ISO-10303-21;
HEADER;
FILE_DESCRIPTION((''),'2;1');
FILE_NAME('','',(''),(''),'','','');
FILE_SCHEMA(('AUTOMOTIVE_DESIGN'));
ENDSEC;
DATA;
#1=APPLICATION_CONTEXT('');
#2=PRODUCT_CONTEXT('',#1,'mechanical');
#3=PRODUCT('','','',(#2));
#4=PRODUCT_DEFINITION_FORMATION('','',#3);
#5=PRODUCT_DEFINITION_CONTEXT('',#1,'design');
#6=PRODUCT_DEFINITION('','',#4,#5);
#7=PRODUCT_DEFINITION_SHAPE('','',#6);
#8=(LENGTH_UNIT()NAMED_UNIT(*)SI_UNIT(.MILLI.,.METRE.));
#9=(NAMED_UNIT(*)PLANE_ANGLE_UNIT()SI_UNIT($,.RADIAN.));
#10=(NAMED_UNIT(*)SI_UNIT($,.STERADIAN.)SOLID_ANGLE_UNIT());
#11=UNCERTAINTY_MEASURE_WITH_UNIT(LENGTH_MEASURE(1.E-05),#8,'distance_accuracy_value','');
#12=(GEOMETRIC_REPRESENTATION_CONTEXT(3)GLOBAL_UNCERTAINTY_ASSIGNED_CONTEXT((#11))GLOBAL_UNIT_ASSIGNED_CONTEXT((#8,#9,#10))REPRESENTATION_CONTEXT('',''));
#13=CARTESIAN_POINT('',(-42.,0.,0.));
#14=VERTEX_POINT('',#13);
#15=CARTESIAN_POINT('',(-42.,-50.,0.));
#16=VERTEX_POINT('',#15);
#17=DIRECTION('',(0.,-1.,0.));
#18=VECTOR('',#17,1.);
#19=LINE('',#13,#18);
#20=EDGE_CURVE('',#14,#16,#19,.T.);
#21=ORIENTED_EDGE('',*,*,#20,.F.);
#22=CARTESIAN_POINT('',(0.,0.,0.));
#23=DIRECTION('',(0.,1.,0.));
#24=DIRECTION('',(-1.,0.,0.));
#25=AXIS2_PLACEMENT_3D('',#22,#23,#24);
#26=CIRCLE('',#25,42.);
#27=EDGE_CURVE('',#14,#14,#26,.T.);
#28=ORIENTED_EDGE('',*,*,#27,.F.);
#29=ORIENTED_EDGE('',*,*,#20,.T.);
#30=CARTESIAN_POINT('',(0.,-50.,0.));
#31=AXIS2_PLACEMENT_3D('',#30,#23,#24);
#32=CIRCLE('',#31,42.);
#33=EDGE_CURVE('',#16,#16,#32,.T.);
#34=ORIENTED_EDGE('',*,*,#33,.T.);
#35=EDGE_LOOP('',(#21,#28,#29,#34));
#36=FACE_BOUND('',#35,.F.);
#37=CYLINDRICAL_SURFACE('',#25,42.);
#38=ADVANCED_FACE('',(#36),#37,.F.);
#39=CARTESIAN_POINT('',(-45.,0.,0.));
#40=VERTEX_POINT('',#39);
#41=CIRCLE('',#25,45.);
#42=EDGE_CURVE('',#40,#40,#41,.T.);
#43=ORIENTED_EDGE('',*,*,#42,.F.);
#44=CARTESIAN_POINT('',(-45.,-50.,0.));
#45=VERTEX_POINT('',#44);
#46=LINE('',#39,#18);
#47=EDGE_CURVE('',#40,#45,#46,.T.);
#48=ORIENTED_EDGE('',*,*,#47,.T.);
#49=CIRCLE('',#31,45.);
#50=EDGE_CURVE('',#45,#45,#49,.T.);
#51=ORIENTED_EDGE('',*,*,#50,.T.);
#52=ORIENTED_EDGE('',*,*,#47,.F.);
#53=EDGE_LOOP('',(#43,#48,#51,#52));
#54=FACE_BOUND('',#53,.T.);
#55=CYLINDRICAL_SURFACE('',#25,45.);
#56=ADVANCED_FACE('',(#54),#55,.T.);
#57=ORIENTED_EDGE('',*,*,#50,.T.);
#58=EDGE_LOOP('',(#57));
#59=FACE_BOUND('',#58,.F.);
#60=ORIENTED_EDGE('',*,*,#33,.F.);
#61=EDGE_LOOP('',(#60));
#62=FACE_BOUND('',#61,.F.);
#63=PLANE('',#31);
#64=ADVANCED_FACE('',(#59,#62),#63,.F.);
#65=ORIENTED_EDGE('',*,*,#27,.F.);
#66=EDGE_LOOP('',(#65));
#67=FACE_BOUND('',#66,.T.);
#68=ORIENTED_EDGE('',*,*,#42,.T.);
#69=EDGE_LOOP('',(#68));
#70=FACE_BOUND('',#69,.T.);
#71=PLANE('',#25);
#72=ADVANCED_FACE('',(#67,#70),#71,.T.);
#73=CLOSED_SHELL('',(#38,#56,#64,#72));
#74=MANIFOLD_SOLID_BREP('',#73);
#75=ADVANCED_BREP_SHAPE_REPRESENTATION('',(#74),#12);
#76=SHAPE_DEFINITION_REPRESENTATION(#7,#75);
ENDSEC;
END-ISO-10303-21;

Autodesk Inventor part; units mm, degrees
ref_plane "YZ Plane" through (0, 0, 0) normal (1, 0, 0) x (0, 1, 0)
ref_plane "XZ Plane" through (0, 0, 0) normal (0, 1, 0) x (-1, 0, 0)
ref_plane "XY Plane" through (0, 0, 0) normal (0, 0, 1) x (1, 0, 0)
sketch "Sketch1" plane through (0, 0, 0) normal (0, 1, 0) x (-1, 0, 0)
  circle A0 centre (0, 0) radius 45
  circle A1 centre (0, 0) radius 42
  dimension "d0" = 90
  dimension "d1" = 3
extrude "Extrusion1" add sketch "Sketch1" against normal blind 50
properties part number "PRS 9612 FDS tube 2_D1200"
